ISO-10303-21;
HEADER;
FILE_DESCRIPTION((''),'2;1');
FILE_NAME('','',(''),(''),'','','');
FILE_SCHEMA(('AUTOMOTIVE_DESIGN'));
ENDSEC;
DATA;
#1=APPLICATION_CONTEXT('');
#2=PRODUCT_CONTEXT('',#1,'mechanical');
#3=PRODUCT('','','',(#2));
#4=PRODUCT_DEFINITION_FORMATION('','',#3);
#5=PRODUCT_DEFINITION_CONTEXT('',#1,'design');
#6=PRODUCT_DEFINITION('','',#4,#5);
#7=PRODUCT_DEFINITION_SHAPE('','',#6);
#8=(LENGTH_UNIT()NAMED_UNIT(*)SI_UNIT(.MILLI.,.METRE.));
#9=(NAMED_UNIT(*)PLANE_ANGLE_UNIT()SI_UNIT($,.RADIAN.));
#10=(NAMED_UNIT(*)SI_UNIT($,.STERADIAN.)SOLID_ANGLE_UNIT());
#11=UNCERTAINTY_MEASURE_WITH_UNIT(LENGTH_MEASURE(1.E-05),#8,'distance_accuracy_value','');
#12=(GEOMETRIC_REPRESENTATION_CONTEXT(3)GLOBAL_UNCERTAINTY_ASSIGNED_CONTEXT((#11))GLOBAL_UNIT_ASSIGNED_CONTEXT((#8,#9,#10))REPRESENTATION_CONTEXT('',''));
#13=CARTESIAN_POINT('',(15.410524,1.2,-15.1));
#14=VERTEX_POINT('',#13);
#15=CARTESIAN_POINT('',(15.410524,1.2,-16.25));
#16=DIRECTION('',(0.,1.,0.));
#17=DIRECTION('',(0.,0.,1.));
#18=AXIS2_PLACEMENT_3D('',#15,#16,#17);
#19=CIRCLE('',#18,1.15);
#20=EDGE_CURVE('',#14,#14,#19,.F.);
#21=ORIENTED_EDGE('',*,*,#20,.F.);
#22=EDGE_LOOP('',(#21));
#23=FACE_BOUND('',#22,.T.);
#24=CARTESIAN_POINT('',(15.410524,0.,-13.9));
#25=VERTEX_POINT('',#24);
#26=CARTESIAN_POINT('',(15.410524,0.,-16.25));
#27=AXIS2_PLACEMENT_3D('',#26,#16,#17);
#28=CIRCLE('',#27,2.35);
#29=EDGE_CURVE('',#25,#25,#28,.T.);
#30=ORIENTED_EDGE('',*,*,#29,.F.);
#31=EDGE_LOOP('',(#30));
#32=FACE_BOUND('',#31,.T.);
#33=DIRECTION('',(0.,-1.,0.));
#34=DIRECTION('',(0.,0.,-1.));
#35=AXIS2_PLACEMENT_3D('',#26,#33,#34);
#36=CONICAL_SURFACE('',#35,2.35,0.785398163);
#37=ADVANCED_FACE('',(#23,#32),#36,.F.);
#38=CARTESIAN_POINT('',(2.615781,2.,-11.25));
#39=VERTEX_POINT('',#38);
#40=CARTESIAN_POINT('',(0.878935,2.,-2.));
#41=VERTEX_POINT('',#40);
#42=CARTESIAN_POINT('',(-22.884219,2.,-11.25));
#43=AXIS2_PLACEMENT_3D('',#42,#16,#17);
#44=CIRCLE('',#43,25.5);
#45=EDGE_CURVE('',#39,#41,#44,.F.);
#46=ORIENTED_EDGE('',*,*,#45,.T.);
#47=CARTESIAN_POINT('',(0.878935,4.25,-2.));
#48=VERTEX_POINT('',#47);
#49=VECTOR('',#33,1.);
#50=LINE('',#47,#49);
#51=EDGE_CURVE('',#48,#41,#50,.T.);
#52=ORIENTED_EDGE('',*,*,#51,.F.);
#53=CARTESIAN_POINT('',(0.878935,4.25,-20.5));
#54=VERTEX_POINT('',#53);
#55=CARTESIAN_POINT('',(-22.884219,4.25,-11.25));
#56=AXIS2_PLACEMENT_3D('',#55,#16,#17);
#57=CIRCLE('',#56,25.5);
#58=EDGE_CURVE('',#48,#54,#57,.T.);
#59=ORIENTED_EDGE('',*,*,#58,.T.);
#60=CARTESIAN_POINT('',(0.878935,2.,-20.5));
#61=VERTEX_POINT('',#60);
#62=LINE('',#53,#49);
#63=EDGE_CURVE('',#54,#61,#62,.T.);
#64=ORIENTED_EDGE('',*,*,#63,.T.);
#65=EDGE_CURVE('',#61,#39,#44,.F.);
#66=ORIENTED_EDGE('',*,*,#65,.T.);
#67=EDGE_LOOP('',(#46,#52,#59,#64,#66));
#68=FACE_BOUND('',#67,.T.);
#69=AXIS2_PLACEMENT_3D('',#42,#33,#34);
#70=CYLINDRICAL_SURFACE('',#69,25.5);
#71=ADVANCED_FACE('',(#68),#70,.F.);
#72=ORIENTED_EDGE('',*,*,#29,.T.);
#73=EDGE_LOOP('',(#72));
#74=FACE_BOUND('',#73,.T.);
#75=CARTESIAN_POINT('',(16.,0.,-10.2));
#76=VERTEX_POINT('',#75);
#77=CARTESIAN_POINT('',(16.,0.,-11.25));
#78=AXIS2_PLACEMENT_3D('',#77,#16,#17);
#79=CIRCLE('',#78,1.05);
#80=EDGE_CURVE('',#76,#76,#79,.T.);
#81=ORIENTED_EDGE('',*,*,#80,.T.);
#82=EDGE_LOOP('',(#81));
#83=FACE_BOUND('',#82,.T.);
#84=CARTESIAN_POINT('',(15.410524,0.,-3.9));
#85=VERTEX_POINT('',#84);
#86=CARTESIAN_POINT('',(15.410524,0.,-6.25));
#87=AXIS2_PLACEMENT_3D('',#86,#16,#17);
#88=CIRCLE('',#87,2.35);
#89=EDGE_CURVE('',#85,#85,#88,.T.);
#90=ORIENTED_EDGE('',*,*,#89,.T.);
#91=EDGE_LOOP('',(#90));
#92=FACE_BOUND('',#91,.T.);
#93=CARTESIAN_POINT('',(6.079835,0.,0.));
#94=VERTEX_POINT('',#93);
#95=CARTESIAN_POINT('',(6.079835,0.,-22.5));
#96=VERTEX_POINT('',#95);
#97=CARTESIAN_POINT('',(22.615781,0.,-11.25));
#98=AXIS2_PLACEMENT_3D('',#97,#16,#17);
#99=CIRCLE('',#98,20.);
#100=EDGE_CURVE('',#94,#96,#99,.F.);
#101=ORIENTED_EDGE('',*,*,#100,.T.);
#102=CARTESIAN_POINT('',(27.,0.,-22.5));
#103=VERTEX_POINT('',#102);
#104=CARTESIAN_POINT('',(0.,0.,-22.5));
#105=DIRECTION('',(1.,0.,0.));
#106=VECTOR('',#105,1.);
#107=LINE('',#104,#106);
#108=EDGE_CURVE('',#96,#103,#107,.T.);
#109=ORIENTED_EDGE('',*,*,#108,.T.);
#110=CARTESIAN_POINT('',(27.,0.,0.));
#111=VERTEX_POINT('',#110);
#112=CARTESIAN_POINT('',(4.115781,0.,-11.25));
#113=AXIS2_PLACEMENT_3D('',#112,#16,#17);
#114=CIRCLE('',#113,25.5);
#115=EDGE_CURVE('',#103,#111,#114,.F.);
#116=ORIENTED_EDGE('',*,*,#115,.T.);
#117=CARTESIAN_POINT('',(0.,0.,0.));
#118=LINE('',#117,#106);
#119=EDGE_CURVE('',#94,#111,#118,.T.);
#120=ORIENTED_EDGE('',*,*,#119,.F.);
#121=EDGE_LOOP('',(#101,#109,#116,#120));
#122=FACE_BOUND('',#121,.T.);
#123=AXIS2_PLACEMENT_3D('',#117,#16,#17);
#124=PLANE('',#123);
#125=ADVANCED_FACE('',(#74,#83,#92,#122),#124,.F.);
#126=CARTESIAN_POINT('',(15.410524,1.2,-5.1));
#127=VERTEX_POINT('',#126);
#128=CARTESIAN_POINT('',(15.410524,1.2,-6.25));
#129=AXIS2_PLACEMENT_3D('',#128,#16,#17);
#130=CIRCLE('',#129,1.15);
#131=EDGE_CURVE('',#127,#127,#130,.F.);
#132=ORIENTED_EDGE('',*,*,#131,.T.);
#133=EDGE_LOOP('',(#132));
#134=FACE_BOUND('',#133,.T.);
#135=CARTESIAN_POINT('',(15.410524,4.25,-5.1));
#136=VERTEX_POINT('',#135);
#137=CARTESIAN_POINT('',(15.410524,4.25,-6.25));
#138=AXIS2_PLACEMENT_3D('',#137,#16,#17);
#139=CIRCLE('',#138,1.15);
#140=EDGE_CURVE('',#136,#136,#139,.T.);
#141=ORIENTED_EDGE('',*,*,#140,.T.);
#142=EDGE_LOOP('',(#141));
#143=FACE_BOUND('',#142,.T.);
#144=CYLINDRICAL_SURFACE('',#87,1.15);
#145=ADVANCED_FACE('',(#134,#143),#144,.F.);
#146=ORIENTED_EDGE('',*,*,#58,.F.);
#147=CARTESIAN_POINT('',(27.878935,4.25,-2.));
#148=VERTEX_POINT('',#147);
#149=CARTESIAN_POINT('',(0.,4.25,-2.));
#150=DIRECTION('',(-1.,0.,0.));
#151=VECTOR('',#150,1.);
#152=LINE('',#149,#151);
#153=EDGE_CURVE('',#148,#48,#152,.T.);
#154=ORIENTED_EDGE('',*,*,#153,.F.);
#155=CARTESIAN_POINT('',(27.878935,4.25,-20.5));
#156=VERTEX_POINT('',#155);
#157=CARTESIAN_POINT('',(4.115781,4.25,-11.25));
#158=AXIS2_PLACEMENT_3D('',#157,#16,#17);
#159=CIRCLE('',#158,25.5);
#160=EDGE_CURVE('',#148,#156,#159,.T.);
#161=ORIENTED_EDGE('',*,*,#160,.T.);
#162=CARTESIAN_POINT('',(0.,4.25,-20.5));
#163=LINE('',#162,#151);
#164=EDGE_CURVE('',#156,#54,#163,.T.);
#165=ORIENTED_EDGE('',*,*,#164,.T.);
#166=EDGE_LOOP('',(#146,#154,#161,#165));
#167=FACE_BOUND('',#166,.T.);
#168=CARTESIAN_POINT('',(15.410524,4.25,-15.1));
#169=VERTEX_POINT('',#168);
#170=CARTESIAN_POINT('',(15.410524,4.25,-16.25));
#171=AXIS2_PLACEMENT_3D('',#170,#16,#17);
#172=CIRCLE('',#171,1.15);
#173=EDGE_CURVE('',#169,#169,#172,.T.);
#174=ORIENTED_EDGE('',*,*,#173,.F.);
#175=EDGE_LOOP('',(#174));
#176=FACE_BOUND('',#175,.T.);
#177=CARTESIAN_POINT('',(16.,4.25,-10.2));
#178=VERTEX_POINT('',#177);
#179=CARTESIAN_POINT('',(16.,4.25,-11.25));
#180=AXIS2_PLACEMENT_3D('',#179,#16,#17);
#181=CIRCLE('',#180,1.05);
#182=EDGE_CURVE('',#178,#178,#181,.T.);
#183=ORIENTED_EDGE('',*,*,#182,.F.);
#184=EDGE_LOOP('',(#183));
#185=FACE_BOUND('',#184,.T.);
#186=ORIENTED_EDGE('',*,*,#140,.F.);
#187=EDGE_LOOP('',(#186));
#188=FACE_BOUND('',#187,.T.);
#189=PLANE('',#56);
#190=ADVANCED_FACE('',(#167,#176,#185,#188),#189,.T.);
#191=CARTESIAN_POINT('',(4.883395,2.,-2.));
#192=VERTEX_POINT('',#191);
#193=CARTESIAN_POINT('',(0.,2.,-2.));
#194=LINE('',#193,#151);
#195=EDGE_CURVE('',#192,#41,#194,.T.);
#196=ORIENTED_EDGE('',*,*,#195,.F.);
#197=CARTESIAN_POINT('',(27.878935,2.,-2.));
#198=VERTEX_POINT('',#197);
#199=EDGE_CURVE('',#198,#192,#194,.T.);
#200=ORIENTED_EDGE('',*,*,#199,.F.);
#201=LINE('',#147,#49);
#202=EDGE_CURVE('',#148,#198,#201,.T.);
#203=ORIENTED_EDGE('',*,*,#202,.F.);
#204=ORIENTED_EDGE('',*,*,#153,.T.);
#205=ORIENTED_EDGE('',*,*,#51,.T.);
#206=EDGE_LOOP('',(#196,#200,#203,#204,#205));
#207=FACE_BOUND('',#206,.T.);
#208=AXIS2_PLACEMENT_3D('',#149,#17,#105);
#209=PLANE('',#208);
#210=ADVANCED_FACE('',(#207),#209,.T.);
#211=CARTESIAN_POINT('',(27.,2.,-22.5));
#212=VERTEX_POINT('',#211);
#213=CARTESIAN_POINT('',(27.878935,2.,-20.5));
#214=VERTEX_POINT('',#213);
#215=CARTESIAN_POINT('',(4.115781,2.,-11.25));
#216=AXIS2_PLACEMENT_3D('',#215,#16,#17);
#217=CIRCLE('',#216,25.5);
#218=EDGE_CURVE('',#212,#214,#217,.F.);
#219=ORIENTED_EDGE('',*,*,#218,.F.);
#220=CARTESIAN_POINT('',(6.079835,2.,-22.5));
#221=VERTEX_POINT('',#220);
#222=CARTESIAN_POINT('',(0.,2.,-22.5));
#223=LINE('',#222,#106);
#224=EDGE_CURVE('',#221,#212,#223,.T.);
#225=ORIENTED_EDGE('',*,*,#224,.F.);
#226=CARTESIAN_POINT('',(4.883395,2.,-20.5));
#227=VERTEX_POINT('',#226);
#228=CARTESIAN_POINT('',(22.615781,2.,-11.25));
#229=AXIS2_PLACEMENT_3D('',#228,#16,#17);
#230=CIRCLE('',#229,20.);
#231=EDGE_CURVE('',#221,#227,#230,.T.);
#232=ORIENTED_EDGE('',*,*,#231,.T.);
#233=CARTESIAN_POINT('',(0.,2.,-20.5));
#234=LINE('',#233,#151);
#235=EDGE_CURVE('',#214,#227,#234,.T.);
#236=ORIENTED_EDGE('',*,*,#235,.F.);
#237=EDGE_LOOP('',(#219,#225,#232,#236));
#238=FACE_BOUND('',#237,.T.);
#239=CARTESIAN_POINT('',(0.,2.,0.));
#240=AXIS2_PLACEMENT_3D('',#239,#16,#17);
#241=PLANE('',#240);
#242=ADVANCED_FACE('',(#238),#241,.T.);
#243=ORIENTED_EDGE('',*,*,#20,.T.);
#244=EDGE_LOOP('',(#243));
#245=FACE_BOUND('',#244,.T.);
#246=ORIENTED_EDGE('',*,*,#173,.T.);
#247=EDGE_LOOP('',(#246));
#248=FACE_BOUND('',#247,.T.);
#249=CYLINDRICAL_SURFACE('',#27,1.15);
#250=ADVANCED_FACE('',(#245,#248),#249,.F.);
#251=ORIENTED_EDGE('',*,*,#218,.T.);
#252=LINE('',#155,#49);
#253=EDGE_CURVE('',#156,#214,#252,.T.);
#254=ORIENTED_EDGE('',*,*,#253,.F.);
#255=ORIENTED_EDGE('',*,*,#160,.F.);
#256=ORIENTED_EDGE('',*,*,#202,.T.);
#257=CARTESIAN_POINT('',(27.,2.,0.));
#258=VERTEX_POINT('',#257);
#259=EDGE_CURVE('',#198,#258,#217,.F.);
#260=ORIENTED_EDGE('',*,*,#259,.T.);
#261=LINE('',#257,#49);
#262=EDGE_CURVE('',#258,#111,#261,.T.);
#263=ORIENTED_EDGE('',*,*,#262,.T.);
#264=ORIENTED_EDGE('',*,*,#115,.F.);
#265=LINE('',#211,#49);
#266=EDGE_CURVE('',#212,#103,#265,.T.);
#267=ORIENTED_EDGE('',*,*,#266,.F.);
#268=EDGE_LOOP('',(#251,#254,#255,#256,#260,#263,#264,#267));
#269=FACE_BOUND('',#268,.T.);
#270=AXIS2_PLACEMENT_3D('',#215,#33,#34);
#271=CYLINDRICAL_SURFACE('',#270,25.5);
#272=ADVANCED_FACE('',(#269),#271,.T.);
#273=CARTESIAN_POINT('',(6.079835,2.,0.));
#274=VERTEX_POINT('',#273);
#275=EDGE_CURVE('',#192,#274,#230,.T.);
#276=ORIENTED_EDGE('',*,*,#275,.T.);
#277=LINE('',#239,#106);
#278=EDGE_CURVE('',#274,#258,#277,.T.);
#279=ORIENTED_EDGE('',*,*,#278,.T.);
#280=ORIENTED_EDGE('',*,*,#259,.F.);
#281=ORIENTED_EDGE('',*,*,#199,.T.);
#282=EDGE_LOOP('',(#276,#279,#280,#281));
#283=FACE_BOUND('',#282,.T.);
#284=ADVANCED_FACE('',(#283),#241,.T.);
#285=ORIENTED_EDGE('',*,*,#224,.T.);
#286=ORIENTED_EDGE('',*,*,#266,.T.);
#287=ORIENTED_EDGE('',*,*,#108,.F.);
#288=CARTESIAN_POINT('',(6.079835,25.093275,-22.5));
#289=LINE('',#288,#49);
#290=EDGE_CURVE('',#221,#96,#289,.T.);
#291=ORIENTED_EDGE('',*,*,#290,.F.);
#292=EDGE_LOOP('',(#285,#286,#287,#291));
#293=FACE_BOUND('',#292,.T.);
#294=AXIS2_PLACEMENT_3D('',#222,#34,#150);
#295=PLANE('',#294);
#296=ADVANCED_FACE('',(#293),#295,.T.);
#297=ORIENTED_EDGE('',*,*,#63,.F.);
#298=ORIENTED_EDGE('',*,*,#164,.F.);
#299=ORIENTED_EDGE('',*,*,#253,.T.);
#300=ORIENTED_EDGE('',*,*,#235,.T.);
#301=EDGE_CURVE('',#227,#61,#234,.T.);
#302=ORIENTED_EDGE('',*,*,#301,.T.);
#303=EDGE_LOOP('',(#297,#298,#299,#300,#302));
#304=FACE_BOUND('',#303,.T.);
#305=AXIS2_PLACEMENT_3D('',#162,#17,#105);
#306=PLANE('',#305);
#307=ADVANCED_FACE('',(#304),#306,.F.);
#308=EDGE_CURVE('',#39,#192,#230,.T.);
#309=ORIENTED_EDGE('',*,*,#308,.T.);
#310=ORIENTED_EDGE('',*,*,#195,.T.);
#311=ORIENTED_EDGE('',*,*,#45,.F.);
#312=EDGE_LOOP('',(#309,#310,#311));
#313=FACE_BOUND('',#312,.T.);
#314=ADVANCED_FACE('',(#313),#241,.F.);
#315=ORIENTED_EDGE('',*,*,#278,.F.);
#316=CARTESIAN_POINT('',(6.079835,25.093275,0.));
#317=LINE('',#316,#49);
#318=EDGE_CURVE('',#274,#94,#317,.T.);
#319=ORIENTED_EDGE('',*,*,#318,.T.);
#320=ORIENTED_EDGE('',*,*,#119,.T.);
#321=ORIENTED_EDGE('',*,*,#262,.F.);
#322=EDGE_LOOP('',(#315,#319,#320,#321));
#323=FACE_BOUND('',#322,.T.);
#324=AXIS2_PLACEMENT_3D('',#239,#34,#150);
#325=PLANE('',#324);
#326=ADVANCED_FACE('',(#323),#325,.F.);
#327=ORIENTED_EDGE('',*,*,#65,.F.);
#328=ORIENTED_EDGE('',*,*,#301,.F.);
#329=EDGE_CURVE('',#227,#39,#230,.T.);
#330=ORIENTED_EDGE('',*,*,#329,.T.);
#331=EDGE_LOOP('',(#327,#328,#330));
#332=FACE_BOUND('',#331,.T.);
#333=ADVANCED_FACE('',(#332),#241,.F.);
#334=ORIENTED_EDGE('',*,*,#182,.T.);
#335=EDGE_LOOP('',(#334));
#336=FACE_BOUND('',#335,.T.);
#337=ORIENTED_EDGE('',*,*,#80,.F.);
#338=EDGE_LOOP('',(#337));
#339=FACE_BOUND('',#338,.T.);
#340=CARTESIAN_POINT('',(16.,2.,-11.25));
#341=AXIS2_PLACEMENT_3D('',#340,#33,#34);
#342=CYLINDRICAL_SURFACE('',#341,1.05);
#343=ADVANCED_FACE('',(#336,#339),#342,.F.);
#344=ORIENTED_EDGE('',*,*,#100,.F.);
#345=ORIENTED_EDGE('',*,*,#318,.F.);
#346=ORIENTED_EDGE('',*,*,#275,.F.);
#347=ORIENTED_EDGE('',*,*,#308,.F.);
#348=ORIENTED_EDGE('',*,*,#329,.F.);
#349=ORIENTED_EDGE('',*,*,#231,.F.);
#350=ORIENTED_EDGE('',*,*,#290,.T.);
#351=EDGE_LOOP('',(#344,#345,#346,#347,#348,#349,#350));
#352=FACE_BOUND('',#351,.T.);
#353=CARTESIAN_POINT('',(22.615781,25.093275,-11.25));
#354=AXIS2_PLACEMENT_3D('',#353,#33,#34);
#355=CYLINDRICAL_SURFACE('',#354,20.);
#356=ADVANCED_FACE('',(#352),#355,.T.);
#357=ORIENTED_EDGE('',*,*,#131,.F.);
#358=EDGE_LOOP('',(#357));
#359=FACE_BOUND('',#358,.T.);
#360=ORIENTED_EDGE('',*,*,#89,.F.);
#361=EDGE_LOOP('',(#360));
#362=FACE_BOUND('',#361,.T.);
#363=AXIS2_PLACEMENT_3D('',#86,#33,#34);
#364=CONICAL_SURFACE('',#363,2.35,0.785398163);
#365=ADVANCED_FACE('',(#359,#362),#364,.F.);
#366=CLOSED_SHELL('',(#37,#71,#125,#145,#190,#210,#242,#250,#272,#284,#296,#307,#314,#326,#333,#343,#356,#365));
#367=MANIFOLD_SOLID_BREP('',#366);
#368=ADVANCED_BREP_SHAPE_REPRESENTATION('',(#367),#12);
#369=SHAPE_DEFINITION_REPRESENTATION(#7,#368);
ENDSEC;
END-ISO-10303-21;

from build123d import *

# Parameters (mm, degrees)
SKETCH_1_R          = 1.05
EXTRUDE_1_DEPTH     = 2
EXTRUDE_START       = 2
SKETCH_1_3_R        = 1.05
EXTRUDE_2_DEPTH     = 2.25
CUT_EXTRUDE_1_DEPTH = 2
SKETCH_3_R          = 1.15
CUT_EXTRUDE_2_DEPTH = 5.25
CHAMFER_1_SIZE      = 1.2


with BuildPart() as part:
    # Эскиз1 → Бобышка-Вытянуть1 (new body)
    with BuildSketch(Plane(origin=(0, 0, 0), x_dir=(1, 0, 0), z_dir=(0, 1, 0))):
        with BuildLine():
            Line((0.878934798, 22.5), (0.878934798, 20.5))
            ThreePointArc((0.878934798, 20.5), (2.615780546, 11.25), (0.878934798, 2))
            Line((0.878934798, 2), (0.878934798, 0))
            Line((0.878934798, 0), (27, 0))
            ThreePointArc((27, 0), (29.615780546, 11.25), (27, 22.5))
            Line((27, 22.5), (0.878934798, 22.5))
        make_face()
        with Locations((16, 11.25)):
            Circle(SKETCH_1_R, mode=Mode.SUBTRACT)
    extrude(amount=EXTRUDE_1_DEPTH)

    # Эскиз1<3> → Бобышка-Вытянуть2 (add)
    with BuildSketch(Plane(origin=(0, 0, 0), x_dir=(1, 0, 0), z_dir=(0, 1, 0)).offset(EXTRUDE_START)):
        with BuildLine():
            Line((27.878934798, 20.5), (0.878934798, 20.5))
            ThreePointArc((0.878934798, 20.5), (2.615780546, 11.25), (0.878934798, 2))
            Line((0.878934798, 2), (27.878934798, 2))
            ThreePointArc((27.878934798, 2), (29.615780546, 11.25), (27.878934798, 20.5))
        make_face()
        with Locations((16, 11.25)):
            Circle(SKETCH_1_3_R, mode=Mode.SUBTRACT)
    extrude(amount=EXTRUDE_2_DEPTH)

    # Эскиз2 → Вырез-Вытянуть1 (cut)
    with BuildSketch(Plane.XZ):
        with BuildLine():
            Line((6.079834852, 0), (0.878934798, 0))
            Line((0.878934798, 0), (0.878934798, -22.5))
            Line((0.878934798, -22.5), (6.079834852, -22.5))
            ThreePointArc((6.079834852, -22.5), (2.615780546, -11.25), (6.079834852, 0))
        make_face()
    extrude(amount=-CUT_EXTRUDE_1_DEPTH, mode=Mode.SUBTRACT)

    # Эскиз3 → Вырез-Вытянуть2 (cut, through all)
    with BuildSketch(Plane(origin=(0, 4.25, 0), x_dir=(1, 0, 0), z_dir=(0, 1, 0))):
        with Locations((15.410523666, 6.25)):
            Circle(SKETCH_3_R)
        with Locations((15.410523666, 16.25)):
            Circle(SKETCH_3_R)
    extrude(amount=-CUT_EXTRUDE_2_DEPTH, mode=Mode.SUBTRACT)

    # Фаска1
    chamfer_1_edges = [part.edges().sort_by_distance(p)[0] for p in [
        (14.260523666, 0, -16.25),
        (14.260523666, 0, -6.25),
    ]]
    chamfer(chamfer_1_edges, length=CHAMFER_1_SIZE)


solid = part.part
